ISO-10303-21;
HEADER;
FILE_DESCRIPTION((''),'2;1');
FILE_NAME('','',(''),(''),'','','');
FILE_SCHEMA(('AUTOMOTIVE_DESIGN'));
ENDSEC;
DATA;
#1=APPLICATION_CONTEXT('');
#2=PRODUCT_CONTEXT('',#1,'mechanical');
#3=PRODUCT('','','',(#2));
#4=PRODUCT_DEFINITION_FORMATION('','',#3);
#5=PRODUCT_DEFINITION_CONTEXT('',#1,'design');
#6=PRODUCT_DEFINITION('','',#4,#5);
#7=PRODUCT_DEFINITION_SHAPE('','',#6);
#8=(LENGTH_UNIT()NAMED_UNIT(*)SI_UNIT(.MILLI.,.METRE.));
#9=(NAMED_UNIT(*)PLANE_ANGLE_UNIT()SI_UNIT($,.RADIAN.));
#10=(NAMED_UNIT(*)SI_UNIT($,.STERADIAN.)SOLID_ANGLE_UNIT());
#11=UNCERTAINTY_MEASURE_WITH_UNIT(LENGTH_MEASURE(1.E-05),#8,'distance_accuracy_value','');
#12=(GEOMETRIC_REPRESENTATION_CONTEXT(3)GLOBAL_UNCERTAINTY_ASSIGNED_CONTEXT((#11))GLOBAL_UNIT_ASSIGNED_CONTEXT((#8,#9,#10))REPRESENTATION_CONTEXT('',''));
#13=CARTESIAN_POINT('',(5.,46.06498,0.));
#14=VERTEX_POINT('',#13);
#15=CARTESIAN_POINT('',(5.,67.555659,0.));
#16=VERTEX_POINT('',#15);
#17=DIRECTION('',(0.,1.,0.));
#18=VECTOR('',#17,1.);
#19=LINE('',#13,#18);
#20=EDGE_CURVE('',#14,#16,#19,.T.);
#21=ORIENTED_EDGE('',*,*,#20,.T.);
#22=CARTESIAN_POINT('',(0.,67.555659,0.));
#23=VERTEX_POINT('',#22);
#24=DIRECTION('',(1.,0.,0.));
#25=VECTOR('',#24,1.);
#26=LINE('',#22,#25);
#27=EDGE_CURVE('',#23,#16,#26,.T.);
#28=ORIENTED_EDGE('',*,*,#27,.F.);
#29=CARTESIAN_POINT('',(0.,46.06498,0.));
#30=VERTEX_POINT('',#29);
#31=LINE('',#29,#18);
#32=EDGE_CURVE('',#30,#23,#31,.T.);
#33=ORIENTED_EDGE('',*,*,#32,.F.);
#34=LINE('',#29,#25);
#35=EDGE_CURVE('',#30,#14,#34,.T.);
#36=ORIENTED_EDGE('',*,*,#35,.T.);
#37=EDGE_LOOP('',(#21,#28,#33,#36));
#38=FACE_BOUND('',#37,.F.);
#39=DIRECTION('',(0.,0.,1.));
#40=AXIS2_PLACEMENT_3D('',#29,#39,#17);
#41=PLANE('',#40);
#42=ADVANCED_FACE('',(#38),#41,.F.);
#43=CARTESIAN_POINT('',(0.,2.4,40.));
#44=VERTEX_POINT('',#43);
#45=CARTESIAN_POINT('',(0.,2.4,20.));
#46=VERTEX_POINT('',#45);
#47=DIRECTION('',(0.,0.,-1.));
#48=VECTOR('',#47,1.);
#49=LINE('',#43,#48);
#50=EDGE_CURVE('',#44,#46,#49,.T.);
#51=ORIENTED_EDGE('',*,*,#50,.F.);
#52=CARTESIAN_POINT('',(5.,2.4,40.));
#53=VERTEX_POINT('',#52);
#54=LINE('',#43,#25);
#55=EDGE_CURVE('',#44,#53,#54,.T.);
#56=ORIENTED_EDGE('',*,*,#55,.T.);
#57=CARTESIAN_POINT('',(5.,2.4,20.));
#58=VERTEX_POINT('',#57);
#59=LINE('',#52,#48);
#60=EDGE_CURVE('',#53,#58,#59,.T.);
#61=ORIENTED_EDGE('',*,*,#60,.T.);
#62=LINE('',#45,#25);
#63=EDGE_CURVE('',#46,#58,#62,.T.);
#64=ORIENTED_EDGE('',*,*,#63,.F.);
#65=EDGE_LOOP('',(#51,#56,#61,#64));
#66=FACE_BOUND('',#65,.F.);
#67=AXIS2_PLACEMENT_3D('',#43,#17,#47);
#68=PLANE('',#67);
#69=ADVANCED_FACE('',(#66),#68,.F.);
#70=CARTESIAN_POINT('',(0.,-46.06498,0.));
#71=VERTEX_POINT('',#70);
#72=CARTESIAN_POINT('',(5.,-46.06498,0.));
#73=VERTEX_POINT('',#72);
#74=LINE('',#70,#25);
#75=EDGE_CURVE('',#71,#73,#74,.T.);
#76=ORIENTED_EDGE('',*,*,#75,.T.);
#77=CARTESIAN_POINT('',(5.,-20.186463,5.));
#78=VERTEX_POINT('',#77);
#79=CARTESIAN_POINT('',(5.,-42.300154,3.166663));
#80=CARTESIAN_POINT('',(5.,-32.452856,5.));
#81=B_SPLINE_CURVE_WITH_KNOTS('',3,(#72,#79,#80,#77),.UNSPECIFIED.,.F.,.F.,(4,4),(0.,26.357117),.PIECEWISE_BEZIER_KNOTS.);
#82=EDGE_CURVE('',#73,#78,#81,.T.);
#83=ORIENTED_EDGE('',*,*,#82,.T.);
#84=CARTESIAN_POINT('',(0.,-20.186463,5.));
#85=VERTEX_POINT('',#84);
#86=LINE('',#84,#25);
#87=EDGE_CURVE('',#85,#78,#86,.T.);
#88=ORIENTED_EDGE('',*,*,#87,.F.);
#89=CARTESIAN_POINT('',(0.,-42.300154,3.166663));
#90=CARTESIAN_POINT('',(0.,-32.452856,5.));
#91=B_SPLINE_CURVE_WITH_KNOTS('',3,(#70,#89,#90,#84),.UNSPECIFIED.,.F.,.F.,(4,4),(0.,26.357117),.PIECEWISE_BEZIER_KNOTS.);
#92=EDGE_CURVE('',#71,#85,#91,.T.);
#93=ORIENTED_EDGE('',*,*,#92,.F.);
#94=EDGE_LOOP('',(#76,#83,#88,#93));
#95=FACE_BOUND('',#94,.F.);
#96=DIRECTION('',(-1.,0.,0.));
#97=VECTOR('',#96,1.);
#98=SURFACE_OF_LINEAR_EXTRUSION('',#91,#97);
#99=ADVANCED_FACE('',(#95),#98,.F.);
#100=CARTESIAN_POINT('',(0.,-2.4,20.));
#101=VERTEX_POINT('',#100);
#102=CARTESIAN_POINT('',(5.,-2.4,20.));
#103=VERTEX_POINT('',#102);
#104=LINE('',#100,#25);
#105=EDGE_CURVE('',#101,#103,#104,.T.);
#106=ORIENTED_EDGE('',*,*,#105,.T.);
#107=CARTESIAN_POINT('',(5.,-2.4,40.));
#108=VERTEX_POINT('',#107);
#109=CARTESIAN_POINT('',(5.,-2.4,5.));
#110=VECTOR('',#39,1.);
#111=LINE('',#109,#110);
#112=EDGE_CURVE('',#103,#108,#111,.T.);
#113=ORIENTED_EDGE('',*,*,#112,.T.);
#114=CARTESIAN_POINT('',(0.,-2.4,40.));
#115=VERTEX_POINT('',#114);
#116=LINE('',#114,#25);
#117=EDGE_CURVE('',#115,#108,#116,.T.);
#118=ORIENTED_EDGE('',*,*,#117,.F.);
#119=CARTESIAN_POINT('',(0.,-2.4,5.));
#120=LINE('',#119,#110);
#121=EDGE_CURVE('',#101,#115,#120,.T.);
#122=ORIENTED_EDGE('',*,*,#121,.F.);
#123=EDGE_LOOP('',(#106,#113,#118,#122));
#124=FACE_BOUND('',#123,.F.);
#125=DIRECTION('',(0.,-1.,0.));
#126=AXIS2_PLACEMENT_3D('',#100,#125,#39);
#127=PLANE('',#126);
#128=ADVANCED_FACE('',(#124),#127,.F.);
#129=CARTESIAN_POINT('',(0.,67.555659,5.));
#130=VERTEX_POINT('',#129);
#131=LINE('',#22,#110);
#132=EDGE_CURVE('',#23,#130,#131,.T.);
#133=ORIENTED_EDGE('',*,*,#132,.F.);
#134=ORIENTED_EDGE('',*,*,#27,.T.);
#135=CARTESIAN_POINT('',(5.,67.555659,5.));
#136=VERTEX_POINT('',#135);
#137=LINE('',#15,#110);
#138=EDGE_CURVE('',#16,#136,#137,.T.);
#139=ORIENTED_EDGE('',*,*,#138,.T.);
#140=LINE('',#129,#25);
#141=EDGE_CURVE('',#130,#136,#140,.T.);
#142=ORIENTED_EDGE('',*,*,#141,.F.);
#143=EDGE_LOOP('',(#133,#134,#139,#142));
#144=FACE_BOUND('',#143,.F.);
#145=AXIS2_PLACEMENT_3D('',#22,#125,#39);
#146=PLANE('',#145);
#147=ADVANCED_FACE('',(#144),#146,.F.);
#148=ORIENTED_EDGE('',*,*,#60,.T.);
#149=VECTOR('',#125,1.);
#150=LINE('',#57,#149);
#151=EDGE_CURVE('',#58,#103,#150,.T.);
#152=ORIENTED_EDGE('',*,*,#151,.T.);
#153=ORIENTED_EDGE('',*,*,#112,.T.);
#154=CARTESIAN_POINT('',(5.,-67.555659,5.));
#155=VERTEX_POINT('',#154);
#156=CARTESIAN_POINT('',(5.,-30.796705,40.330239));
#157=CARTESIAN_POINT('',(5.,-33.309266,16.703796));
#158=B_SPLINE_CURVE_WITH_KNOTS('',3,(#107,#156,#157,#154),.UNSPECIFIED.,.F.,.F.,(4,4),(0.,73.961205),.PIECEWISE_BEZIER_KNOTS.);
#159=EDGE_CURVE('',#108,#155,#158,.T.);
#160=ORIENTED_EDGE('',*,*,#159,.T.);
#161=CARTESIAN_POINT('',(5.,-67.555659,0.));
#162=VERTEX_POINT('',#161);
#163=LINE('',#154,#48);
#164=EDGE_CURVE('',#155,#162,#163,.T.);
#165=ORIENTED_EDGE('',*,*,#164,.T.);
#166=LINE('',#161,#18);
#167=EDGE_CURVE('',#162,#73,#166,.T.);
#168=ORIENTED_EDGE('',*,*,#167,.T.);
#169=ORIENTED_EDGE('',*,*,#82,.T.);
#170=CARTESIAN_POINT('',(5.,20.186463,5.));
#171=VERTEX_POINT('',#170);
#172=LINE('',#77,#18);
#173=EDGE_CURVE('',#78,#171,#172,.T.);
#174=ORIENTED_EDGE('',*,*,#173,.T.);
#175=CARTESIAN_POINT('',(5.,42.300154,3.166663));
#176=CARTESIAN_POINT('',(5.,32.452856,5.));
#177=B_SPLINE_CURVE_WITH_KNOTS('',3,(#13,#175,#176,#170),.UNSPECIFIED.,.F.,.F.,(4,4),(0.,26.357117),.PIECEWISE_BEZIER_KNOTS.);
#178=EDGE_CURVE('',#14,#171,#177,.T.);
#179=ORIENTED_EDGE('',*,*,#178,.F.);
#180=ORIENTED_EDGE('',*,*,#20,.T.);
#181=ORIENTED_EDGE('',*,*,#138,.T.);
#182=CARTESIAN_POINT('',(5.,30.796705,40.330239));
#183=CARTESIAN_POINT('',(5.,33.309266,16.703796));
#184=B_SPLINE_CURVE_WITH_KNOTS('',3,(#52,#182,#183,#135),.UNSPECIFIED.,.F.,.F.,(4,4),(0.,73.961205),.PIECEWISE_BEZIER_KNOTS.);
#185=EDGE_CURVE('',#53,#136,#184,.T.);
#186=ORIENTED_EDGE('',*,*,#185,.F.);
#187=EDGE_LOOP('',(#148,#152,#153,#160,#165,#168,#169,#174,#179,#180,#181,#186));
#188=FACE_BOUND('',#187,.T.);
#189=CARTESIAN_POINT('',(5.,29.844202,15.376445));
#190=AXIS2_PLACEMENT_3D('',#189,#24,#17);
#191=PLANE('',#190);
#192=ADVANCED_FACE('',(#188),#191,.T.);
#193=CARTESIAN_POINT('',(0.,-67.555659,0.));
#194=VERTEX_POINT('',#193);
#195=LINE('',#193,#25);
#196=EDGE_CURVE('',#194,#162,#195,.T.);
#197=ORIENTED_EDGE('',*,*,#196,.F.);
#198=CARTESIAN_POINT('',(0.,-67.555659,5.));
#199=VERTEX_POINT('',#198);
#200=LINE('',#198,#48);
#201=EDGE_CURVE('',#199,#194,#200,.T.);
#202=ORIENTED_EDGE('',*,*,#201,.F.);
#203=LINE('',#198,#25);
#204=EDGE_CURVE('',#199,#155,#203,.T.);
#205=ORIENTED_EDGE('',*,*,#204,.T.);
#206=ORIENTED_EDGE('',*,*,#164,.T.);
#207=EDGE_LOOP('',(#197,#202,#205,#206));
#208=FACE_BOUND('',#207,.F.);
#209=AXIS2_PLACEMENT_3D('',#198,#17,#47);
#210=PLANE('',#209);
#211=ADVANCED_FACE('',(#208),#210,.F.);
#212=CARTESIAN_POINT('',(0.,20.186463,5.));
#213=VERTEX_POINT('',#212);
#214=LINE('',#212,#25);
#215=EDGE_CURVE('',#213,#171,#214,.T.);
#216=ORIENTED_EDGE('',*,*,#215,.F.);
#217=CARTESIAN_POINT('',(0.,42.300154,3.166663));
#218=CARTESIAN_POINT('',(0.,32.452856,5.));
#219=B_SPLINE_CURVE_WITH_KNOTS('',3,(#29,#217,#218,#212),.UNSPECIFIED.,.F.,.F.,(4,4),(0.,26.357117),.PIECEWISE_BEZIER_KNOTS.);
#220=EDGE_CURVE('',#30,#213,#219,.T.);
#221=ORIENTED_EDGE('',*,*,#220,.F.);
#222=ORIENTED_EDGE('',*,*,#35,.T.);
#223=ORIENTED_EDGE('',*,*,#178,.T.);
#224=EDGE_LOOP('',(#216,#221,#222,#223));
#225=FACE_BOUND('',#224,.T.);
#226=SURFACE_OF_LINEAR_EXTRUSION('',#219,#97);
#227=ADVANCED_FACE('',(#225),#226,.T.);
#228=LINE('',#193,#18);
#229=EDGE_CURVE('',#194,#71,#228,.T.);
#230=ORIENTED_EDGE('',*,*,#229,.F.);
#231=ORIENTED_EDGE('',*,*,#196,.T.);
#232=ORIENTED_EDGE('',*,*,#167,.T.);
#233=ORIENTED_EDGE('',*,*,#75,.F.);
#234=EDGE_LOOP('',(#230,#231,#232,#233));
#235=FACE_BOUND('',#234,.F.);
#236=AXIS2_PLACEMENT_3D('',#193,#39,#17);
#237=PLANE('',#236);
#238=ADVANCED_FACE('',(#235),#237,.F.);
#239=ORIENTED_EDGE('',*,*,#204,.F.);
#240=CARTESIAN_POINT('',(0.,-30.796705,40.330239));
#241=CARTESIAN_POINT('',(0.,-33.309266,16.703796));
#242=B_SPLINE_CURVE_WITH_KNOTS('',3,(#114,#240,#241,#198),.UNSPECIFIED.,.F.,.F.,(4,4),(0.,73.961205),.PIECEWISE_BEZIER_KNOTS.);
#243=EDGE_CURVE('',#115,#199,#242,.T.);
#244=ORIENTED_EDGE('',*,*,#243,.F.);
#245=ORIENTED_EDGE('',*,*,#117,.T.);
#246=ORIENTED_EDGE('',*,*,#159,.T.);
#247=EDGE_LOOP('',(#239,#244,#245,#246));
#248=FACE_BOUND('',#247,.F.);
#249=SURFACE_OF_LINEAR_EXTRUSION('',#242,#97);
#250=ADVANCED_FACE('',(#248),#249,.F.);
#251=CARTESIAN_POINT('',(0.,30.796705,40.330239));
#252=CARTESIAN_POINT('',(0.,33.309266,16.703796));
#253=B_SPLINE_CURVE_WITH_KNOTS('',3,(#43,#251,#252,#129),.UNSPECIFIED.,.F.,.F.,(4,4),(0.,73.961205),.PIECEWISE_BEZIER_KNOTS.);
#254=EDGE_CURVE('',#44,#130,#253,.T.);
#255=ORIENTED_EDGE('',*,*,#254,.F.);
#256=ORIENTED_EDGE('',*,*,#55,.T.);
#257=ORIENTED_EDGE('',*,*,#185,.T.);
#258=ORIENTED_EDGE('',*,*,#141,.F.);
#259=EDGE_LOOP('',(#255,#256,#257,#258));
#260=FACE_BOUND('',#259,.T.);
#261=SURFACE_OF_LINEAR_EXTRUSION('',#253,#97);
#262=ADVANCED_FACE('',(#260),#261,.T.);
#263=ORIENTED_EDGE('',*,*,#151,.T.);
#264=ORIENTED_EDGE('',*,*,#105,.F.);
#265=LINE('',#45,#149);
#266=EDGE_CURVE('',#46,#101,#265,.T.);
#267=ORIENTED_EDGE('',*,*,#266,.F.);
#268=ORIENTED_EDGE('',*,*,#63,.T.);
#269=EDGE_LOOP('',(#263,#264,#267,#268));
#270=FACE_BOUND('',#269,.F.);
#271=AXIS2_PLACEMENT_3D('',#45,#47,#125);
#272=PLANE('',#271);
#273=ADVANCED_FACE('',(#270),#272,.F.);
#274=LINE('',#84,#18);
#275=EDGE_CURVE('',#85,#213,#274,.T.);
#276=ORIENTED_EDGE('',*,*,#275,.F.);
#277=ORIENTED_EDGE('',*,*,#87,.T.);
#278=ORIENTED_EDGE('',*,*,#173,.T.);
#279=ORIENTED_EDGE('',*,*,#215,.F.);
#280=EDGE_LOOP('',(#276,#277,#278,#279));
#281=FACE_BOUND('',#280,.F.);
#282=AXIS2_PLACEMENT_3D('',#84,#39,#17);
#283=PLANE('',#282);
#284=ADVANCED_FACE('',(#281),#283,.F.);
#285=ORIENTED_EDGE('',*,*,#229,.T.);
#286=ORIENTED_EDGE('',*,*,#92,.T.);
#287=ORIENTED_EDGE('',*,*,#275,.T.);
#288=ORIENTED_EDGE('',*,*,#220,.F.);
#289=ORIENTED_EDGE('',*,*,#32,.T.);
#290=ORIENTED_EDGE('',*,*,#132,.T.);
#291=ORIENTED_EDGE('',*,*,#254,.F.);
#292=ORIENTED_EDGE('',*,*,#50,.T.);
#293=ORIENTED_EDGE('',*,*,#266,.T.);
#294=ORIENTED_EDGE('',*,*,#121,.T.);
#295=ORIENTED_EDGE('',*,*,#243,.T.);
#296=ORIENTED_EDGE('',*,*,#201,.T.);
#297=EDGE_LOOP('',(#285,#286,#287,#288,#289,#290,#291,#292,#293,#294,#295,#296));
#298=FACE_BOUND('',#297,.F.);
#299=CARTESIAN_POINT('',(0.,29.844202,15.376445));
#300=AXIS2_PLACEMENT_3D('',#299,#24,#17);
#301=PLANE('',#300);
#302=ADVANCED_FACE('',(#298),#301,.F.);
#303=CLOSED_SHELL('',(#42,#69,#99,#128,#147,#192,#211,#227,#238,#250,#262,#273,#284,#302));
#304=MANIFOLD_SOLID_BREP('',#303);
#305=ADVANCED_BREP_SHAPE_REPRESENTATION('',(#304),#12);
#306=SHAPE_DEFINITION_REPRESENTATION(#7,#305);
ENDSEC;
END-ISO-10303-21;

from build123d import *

# Parameters (mm, degrees)
F0_W     = 2.4
F0_H     = 15
F1_DEPTH = 5


with BuildPart() as f1:
    # F0 (on Right) → F1 (new body)
    with BuildSketch(Plane.YZ):
        with BuildLine():
            Line((2.4, 20), (2.4, 5))
            Line((2.4, 5), (20.186463, 5))
            add(Edge.make_bspline(
                [(46.06498, 0), (42.300154, 3.166663), (32.452856, 5), (20.186463, 5)],
                knots=[0, 0, 0, 0, 26.357117, 26.357117, 26.357117, 26.357117], degree=3))
            Line((46.06498, 0), (67.555659, 0))
            Line((67.555659, 0), (67.555659, 5))
            add(Edge.make_bspline(
                [(2.4, 40), (30.796705, 40.330239), (33.309266, 16.703796), (67.555659, 5)],
                knots=[0, 0, 0, 0, 73.961205, 73.961205, 73.961205, 73.961205], degree=3))
            Line((2.4, 40), (2.4, 20))
        make_face()
        with Locations((1.2, 12.5)):
            Rectangle(F0_W, F0_H)
        with Locations((-1.2, 12.5)):
            Rectangle(F0_W, F0_H)
        with BuildLine():
            Line((-20.186463, 5), (-2.4, 5))
            Line((-2.4, 5), (-2.4, 20))
            Line((-2.4, 20), (-2.4, 40))
            add(Edge.make_bspline(
                [(-2.4, 40), (-30.796705, 40.330239), (-33.309266, 16.703796), (-67.555659, 5)],
                knots=[0, 0, 0, 0, 73.961205, 73.961205, 73.961205, 73.961205], degree=3))
            Line((-67.555659, 5), (-67.555659, 0))
            Line((-67.555659, 0), (-46.06498, 0))
            add(Edge.make_bspline(
                [(-46.06498, 0), (-42.300154, 3.166663), (-32.452856, 5), (-20.186463, 5)],
                knots=[0, 0, 0, 0, 26.357117, 26.357117, 26.357117, 26.357117], degree=3))
        make_face()
    extrude(amount=F1_DEPTH)


solid = f1.part
